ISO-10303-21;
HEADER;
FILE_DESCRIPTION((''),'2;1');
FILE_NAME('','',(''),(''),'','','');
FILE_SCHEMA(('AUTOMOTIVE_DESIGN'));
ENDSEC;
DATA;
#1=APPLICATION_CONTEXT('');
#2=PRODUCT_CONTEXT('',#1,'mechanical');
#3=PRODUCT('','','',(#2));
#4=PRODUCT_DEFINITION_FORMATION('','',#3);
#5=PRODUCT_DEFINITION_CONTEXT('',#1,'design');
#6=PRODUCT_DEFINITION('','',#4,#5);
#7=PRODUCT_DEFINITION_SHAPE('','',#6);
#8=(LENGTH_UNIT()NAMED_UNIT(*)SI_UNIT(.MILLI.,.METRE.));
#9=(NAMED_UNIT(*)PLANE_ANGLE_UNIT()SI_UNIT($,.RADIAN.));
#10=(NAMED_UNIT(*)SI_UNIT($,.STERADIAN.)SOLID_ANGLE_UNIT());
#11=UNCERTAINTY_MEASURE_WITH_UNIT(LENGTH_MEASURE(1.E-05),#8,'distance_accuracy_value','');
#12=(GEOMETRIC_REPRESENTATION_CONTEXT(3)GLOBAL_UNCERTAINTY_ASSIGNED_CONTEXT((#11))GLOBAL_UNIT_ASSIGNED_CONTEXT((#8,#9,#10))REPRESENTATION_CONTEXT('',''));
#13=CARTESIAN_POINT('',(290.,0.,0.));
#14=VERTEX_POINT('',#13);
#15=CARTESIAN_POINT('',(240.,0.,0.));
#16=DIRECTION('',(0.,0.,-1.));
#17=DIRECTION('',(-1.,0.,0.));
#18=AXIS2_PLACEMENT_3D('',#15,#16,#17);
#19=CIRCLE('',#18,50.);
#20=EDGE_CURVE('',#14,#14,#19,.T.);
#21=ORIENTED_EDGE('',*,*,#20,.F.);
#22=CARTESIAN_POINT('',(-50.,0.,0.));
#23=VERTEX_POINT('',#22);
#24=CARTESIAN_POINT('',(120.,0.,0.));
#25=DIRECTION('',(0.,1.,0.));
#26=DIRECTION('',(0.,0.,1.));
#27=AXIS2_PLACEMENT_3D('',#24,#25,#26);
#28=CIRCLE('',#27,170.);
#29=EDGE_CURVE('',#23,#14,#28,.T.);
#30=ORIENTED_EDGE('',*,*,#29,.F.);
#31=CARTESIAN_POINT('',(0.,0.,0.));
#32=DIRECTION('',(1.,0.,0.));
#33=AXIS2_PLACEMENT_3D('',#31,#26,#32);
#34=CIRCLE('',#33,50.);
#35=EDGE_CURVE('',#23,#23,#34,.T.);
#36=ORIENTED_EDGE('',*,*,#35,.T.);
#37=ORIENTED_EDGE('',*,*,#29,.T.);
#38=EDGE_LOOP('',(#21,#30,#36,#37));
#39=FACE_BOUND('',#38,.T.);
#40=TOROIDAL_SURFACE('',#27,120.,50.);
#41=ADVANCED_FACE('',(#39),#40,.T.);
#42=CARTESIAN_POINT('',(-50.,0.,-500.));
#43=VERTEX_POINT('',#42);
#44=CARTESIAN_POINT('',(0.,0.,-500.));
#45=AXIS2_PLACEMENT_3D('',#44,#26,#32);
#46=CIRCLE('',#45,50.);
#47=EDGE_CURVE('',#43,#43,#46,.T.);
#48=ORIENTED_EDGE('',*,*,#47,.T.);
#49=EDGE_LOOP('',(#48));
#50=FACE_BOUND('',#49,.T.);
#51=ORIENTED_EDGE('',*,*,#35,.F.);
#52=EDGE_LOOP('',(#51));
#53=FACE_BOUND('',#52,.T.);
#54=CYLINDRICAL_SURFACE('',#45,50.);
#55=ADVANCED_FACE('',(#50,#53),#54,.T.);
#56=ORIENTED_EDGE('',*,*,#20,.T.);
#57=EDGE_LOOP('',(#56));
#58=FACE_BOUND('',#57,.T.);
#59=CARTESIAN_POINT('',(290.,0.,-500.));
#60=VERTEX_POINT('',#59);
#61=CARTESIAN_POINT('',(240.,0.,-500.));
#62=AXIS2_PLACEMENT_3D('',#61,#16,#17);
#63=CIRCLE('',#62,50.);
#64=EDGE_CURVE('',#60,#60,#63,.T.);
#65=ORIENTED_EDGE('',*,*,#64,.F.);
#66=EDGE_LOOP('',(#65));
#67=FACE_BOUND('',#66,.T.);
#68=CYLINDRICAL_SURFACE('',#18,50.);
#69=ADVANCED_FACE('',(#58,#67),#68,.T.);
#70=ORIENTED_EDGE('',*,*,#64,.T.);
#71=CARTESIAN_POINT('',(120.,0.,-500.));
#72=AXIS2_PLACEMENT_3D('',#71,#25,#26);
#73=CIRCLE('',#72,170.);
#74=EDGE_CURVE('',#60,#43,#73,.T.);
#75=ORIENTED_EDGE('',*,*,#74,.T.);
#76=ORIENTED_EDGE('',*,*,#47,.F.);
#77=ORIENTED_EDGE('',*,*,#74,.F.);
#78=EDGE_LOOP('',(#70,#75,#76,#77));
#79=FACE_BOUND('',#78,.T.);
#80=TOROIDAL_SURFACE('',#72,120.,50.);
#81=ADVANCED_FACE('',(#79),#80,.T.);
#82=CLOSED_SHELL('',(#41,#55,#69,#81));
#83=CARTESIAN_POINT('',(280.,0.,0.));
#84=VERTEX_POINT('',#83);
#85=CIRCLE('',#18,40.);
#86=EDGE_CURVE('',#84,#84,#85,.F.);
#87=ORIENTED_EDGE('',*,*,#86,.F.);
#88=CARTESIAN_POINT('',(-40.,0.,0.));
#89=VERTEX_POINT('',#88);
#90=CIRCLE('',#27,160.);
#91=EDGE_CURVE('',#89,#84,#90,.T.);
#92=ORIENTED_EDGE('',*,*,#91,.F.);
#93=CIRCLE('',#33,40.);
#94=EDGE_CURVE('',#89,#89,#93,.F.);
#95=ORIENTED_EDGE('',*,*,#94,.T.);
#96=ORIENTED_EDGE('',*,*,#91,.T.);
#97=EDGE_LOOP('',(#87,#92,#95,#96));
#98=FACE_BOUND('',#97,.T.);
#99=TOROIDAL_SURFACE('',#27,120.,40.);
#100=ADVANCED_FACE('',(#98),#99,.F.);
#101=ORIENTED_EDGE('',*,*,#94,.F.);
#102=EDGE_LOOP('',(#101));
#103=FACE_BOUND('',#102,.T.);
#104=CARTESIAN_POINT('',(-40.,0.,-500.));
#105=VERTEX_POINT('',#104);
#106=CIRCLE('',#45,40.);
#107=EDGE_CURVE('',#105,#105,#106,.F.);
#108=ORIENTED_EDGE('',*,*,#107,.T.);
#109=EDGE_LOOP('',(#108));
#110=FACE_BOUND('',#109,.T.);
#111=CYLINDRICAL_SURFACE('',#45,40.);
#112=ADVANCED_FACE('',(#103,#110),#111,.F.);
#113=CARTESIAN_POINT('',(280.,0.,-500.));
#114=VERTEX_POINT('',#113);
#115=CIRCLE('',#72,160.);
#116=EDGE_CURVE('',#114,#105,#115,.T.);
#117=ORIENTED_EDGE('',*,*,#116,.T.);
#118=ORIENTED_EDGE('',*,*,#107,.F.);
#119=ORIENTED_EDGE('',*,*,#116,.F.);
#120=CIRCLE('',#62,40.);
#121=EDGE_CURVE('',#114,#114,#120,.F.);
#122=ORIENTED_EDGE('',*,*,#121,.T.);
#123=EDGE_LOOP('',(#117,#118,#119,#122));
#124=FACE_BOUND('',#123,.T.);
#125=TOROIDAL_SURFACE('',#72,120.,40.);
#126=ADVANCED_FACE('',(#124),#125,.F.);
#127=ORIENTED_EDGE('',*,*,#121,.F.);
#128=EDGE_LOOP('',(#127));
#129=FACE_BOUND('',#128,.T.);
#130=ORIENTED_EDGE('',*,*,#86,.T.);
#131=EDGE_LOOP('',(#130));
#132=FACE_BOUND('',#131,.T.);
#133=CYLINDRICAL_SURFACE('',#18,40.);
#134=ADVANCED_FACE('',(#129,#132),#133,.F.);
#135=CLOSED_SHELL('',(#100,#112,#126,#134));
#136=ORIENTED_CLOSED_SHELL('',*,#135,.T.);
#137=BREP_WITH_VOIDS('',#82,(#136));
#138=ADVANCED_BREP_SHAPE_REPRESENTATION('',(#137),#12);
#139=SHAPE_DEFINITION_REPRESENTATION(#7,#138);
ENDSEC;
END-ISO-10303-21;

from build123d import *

# Parameters (mm, degrees)
SKETCH1_R   = 50
SKETCH1_R_2 = 40


with BuildPart() as part:
    # Sweep1: sweep along a path in Sketch2
    with BuildLine(Plane(origin=(0, 0, 0), x_dir=(1, 0, 0), z_dir=(0, 1, 0))) as sweep1_path:
        Line((0, 0), (0, 500))
        ThreePointArc((0, 500), (120, 620), (240, 500))
        Line((240, 500), (240, 0))
        ThreePointArc((240, 0), (120, -120), (0, 0))
    # Sketch1 → Sweep1 (sweep)
    with BuildSketch(Plane.XY):
        Circle(SKETCH1_R)
        Circle(SKETCH1_R_2, mode=Mode.SUBTRACT)
    sweep(path=sweep1_path.line)


solid = part.part
